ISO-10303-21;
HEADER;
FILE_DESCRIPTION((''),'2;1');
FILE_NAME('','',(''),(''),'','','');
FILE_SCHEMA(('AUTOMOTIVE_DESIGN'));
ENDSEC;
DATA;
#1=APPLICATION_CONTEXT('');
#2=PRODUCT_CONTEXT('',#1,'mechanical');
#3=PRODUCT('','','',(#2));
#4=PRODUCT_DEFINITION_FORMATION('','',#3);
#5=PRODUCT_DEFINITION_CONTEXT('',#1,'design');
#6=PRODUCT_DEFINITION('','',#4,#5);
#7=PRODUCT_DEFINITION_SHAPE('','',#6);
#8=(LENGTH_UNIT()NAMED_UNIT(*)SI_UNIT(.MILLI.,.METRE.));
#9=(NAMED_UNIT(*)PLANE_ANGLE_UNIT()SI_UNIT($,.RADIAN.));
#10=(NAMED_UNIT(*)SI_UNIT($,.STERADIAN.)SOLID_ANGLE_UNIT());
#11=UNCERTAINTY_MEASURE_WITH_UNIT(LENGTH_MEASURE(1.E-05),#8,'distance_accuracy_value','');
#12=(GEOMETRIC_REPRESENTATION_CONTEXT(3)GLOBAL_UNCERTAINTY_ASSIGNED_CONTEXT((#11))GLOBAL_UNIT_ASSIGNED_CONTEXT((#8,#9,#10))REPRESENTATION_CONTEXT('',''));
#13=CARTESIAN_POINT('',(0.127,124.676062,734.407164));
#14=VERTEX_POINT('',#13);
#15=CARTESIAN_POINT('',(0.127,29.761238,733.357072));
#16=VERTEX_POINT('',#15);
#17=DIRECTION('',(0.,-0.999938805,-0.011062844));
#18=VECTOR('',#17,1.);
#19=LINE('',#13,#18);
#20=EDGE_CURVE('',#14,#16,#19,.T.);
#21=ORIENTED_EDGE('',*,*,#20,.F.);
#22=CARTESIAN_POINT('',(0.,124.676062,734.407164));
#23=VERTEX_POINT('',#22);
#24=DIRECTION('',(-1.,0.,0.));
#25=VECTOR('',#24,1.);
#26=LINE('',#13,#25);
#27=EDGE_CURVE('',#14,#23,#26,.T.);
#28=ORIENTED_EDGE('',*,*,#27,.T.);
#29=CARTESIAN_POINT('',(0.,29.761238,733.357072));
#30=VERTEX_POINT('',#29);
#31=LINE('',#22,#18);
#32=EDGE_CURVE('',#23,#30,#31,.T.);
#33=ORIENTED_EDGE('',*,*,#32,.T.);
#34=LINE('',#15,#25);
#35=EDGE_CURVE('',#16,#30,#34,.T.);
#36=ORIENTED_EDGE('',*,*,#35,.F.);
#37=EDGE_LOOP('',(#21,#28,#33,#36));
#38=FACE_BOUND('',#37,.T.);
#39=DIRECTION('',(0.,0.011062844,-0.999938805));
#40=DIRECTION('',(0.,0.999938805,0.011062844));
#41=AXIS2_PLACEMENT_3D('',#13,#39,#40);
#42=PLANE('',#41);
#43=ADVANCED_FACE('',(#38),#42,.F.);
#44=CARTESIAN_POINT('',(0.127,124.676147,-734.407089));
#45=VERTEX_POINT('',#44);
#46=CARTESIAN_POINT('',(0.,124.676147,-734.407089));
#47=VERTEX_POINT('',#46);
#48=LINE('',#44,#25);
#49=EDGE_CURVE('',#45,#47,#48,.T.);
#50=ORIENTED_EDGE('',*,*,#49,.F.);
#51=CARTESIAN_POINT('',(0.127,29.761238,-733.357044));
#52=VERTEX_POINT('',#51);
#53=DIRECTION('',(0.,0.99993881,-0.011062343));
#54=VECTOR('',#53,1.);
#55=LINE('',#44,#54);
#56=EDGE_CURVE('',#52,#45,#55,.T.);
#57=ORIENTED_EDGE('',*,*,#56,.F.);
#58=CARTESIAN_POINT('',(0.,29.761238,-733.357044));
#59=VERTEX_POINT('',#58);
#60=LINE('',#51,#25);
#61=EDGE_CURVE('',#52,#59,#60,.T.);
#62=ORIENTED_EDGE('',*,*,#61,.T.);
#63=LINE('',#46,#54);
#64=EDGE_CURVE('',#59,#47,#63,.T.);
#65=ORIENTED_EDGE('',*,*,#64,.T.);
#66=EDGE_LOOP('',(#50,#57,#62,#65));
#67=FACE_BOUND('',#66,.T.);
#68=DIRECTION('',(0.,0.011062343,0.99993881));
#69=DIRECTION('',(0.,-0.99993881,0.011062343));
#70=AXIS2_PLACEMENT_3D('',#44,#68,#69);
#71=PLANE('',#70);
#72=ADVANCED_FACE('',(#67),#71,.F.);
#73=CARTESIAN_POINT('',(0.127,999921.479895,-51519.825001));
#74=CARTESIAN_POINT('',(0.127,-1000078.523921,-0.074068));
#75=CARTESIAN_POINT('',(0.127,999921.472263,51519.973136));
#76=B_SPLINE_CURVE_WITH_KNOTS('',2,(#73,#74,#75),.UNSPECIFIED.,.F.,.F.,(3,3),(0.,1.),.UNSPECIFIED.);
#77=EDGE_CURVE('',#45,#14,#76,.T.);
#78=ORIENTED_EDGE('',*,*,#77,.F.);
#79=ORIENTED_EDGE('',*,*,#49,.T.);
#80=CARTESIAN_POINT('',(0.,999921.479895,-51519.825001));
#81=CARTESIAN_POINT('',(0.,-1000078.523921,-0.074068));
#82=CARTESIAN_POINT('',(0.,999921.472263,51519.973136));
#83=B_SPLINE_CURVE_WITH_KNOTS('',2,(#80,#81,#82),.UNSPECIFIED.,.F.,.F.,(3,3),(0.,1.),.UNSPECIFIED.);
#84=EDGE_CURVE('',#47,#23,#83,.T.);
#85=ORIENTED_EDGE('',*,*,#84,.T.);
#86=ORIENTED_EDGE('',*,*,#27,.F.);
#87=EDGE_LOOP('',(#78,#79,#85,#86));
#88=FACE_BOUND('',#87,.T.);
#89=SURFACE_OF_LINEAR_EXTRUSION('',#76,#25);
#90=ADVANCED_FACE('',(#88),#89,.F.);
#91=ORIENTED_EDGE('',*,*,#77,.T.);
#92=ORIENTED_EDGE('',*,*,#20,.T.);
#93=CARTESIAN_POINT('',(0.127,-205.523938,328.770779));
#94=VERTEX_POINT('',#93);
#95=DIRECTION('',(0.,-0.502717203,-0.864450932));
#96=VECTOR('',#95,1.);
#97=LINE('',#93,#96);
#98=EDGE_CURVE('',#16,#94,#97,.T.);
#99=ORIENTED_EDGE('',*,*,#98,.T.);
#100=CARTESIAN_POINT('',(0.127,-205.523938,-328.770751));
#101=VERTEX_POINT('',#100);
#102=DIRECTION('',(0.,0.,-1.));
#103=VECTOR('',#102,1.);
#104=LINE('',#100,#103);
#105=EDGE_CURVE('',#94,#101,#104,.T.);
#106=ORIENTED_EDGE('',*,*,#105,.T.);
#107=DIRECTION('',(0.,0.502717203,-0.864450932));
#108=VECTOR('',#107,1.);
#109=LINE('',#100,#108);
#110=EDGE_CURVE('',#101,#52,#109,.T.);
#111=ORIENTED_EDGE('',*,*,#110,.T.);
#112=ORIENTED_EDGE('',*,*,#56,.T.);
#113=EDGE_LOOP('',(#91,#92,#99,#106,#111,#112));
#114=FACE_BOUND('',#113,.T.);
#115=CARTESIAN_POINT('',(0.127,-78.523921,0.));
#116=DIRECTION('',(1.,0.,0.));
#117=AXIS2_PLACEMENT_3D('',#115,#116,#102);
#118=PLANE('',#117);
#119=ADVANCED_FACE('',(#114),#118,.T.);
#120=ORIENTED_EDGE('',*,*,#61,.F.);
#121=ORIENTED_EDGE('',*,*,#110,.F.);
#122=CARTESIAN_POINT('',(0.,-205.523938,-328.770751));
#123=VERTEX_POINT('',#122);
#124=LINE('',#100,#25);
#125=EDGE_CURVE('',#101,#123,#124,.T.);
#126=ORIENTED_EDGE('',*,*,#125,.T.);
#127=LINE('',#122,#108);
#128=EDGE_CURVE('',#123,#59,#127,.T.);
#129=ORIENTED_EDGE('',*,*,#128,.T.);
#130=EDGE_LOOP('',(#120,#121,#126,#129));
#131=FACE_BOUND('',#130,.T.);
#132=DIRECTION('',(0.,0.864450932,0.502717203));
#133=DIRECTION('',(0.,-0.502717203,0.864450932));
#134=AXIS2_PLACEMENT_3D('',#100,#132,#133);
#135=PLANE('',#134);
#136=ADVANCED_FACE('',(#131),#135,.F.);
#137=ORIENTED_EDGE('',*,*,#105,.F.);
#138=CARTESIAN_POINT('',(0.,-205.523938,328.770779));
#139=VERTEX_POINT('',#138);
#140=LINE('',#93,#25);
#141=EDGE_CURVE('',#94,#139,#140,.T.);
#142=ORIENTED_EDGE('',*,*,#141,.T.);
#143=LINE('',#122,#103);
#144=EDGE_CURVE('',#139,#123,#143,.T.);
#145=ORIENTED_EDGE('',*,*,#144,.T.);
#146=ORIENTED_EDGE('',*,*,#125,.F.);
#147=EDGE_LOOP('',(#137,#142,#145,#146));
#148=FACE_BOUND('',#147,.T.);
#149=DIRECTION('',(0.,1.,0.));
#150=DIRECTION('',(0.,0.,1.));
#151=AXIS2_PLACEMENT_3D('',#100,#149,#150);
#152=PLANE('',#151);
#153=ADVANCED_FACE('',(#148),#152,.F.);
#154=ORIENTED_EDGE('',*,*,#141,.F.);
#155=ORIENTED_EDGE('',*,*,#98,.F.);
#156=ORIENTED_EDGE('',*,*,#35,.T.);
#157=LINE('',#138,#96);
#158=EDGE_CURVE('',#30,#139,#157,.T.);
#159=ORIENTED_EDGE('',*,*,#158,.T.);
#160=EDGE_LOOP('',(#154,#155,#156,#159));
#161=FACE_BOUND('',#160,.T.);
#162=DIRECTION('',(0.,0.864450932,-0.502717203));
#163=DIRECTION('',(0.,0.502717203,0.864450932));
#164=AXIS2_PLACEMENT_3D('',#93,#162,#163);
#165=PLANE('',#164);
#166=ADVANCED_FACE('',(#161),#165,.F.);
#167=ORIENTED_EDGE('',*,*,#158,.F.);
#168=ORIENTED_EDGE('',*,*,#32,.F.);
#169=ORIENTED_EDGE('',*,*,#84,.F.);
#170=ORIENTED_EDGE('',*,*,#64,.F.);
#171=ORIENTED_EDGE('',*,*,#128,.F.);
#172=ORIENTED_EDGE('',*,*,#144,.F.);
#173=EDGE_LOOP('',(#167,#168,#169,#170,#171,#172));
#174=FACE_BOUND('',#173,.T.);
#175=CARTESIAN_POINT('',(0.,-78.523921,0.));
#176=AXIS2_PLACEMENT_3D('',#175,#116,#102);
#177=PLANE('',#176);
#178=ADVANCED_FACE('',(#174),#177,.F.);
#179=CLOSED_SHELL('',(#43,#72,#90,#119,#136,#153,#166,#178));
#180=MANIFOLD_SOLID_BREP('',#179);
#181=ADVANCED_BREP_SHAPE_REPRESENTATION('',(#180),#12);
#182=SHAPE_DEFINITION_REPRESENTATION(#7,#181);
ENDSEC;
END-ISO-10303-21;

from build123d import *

# Parameters (mm, degrees)
BOSS_EXTRUDE1_DEPTH = 0.127


with BuildPart() as part:
    # Sketch1 → Boss-Extrude1 (new body)
    with BuildSketch(Plane(origin=(0, 0, 0), x_dir=(0, 0, -1), z_dir=(1, 0, 0))):
        with BuildLine():
            Line((734.40708933, 124.676146582), (733.357043785, 29.761237691))
            Line((733.357043785, 29.761237691), (328.770751491, -205.523937709))
            Line((328.770751491, -205.523937709), (-328.770779224, -205.523937708))
            Line((-328.770779224, -205.523937708), (-733.357071518, 29.761237693))
            Line((-733.357071518, 29.761237693), (-734.407163707, 124.676062292))
            add(Edge.make_bspline(
                [(-1.3866e-05, -78.523920986), (-367.203581261, -78.523944347), (-734.407163707, 124.676062292)],
                knots=[0, 0, 0, 1, 1, 1], degree=2))
            add(Edge.make_bspline(
                [(-1.3866e-05, -78.523920986), (367.203545257, -78.523897625), (734.40708933, 124.676146582)],
                knots=[0, 0, 0, 1, 1, 1], degree=2))
        make_face()
    extrude(amount=BOSS_EXTRUDE1_DEPTH)


solid = part.part
